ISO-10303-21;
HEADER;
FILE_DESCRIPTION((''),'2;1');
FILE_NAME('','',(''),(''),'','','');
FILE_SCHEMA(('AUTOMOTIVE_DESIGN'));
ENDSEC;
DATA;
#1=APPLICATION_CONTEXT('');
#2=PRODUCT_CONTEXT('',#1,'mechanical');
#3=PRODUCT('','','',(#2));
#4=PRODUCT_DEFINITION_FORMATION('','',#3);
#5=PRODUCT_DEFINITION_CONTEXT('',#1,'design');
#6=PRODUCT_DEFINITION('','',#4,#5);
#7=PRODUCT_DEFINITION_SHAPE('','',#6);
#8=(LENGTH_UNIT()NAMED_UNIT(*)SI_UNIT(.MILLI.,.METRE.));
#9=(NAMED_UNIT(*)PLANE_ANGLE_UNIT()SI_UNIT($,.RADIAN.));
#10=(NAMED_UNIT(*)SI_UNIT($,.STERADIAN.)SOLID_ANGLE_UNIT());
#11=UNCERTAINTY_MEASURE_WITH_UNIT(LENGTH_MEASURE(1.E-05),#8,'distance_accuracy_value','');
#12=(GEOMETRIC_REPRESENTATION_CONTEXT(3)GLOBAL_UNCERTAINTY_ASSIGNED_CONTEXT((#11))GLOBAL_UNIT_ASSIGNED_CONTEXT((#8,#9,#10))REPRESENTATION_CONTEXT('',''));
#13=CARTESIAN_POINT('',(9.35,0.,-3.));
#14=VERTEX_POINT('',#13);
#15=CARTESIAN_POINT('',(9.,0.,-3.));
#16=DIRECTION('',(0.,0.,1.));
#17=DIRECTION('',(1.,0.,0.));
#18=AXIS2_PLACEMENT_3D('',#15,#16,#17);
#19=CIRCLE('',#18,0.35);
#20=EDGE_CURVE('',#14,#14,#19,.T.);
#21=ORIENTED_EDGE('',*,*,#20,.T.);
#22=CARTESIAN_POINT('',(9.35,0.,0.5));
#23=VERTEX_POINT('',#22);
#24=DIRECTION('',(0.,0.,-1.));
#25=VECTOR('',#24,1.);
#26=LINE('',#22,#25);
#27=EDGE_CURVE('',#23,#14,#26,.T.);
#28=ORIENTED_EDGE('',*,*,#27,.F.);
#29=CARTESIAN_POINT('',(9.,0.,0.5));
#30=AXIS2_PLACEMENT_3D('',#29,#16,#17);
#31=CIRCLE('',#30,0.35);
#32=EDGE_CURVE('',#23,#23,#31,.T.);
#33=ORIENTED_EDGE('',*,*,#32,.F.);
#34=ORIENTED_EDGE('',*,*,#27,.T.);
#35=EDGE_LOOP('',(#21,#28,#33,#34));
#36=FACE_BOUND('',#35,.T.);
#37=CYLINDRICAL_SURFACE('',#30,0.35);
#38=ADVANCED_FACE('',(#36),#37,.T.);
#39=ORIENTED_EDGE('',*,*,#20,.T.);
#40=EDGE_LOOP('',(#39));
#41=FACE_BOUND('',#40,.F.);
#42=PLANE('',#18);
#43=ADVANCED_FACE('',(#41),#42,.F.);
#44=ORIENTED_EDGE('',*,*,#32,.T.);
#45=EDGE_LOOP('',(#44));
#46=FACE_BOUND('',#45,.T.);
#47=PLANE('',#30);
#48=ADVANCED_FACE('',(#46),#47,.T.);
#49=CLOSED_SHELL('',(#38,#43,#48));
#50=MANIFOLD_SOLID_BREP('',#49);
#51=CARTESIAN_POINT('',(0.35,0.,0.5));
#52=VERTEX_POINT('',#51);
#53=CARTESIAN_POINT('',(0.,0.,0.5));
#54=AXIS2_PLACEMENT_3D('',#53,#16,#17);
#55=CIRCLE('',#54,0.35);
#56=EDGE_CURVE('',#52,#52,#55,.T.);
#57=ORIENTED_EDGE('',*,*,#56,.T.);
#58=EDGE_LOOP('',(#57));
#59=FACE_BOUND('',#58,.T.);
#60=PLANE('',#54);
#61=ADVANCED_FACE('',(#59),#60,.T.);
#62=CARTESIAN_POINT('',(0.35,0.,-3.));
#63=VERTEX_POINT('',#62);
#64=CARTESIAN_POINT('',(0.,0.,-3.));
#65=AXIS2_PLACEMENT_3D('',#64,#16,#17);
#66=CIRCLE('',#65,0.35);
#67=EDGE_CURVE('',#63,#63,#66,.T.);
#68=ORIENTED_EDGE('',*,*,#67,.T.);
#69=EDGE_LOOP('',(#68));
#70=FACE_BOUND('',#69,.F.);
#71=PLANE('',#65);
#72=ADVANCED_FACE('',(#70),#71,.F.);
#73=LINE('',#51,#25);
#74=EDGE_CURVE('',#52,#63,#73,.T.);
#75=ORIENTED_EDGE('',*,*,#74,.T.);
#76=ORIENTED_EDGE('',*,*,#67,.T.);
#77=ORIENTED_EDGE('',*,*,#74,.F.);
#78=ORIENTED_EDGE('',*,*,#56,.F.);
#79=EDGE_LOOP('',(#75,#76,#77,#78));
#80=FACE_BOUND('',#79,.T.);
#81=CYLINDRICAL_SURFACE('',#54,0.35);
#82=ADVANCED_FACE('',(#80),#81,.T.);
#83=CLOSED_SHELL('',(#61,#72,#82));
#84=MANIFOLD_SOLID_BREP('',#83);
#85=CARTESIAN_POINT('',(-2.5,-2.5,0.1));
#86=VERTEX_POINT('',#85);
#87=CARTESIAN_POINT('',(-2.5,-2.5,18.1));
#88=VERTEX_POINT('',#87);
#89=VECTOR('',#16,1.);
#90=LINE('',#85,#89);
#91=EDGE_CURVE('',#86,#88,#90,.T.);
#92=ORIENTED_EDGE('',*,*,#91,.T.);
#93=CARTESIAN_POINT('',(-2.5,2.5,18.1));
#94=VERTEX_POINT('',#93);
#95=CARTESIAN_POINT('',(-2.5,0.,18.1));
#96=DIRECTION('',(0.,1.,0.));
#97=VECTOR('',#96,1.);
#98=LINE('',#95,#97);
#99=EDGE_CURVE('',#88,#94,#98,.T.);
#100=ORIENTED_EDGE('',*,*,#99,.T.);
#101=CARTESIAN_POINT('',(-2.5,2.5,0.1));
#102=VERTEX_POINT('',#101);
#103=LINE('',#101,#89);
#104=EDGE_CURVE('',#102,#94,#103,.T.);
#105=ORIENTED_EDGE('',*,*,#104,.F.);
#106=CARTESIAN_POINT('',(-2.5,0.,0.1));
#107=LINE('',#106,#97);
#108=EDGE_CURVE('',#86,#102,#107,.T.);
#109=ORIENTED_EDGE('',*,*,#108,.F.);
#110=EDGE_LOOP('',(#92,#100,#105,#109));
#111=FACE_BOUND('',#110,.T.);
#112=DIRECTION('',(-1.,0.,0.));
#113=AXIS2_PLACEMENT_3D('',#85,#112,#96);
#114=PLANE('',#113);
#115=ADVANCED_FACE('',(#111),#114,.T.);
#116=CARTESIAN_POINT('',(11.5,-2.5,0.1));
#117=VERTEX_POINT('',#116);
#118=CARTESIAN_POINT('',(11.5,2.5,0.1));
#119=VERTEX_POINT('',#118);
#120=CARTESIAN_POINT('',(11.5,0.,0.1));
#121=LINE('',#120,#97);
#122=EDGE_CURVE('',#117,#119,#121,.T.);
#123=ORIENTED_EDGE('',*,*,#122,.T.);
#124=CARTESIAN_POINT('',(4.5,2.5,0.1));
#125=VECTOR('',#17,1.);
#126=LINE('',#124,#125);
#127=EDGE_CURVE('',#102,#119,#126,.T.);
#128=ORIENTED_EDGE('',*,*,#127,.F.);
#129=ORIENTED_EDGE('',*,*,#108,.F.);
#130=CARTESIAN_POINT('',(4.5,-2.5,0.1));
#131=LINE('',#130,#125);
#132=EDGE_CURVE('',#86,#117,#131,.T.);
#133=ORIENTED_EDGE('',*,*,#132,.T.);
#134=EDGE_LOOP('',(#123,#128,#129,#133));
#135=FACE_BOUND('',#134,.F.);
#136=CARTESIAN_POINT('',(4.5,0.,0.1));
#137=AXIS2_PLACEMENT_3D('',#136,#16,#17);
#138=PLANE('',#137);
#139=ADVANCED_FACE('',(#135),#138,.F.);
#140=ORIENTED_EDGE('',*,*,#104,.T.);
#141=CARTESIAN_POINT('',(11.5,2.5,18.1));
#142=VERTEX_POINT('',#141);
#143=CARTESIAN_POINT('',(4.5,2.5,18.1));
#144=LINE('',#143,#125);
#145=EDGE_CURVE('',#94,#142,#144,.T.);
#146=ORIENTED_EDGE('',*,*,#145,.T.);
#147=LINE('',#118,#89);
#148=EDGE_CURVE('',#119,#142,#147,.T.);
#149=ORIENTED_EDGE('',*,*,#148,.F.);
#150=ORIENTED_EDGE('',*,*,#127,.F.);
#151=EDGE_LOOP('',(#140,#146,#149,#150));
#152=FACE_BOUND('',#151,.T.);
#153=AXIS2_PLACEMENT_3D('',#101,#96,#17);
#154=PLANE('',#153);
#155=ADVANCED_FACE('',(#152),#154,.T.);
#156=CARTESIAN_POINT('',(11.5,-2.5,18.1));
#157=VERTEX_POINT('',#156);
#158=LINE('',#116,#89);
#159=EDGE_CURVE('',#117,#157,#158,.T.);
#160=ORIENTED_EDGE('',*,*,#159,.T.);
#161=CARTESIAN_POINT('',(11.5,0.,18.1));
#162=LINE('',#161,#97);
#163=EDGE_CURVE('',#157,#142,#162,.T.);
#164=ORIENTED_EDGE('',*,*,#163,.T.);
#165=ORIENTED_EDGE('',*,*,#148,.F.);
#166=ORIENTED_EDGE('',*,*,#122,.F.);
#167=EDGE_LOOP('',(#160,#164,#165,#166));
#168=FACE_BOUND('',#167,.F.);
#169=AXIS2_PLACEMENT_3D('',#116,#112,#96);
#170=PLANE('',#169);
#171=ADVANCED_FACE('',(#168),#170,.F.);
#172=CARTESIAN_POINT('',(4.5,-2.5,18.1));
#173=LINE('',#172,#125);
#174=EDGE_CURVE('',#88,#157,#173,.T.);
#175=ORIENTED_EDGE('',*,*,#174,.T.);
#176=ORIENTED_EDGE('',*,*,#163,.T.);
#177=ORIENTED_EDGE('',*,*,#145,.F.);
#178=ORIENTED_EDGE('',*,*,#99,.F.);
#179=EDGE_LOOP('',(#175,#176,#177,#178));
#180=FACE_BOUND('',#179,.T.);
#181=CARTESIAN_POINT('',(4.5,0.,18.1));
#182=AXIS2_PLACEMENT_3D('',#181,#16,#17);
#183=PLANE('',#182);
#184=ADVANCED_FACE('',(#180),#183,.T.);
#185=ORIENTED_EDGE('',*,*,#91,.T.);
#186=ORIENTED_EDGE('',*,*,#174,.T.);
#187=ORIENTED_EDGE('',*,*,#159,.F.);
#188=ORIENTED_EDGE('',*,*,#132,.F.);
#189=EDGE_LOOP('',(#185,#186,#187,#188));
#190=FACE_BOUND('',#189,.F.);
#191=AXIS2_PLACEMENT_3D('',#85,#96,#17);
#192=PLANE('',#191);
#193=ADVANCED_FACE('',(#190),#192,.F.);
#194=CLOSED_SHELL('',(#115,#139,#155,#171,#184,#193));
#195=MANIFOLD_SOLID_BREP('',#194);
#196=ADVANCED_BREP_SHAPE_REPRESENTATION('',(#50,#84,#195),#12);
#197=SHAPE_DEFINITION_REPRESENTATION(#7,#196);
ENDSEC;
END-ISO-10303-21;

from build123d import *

# Parameters (mm, degrees)
SKETCH_W     = 14
SKETCH_H     = 5
PAD_DEPTH    = 18
SKETCH001_R  = 0.35
PAD001_DEPTH = 3.5


with BuildPart() as pad:
    # Sketch → Pad (new body)
    with BuildSketch(Plane.XY.offset(0.1)):
        with Locations((4.5, 0)):
            Rectangle(SKETCH_W, SKETCH_H)
    extrude(amount=PAD_DEPTH)


with BuildPart() as pad001:
    # Sketch001 → Pad001 (new body)
    with BuildSketch(Plane.XY.offset(0.5)):
        Circle(SKETCH001_R)
        with Locations((9, 0)):
            Circle(SKETCH001_R)
    extrude(amount=-PAD001_DEPTH)


solid = Compound([pad.part, pad001.part])
